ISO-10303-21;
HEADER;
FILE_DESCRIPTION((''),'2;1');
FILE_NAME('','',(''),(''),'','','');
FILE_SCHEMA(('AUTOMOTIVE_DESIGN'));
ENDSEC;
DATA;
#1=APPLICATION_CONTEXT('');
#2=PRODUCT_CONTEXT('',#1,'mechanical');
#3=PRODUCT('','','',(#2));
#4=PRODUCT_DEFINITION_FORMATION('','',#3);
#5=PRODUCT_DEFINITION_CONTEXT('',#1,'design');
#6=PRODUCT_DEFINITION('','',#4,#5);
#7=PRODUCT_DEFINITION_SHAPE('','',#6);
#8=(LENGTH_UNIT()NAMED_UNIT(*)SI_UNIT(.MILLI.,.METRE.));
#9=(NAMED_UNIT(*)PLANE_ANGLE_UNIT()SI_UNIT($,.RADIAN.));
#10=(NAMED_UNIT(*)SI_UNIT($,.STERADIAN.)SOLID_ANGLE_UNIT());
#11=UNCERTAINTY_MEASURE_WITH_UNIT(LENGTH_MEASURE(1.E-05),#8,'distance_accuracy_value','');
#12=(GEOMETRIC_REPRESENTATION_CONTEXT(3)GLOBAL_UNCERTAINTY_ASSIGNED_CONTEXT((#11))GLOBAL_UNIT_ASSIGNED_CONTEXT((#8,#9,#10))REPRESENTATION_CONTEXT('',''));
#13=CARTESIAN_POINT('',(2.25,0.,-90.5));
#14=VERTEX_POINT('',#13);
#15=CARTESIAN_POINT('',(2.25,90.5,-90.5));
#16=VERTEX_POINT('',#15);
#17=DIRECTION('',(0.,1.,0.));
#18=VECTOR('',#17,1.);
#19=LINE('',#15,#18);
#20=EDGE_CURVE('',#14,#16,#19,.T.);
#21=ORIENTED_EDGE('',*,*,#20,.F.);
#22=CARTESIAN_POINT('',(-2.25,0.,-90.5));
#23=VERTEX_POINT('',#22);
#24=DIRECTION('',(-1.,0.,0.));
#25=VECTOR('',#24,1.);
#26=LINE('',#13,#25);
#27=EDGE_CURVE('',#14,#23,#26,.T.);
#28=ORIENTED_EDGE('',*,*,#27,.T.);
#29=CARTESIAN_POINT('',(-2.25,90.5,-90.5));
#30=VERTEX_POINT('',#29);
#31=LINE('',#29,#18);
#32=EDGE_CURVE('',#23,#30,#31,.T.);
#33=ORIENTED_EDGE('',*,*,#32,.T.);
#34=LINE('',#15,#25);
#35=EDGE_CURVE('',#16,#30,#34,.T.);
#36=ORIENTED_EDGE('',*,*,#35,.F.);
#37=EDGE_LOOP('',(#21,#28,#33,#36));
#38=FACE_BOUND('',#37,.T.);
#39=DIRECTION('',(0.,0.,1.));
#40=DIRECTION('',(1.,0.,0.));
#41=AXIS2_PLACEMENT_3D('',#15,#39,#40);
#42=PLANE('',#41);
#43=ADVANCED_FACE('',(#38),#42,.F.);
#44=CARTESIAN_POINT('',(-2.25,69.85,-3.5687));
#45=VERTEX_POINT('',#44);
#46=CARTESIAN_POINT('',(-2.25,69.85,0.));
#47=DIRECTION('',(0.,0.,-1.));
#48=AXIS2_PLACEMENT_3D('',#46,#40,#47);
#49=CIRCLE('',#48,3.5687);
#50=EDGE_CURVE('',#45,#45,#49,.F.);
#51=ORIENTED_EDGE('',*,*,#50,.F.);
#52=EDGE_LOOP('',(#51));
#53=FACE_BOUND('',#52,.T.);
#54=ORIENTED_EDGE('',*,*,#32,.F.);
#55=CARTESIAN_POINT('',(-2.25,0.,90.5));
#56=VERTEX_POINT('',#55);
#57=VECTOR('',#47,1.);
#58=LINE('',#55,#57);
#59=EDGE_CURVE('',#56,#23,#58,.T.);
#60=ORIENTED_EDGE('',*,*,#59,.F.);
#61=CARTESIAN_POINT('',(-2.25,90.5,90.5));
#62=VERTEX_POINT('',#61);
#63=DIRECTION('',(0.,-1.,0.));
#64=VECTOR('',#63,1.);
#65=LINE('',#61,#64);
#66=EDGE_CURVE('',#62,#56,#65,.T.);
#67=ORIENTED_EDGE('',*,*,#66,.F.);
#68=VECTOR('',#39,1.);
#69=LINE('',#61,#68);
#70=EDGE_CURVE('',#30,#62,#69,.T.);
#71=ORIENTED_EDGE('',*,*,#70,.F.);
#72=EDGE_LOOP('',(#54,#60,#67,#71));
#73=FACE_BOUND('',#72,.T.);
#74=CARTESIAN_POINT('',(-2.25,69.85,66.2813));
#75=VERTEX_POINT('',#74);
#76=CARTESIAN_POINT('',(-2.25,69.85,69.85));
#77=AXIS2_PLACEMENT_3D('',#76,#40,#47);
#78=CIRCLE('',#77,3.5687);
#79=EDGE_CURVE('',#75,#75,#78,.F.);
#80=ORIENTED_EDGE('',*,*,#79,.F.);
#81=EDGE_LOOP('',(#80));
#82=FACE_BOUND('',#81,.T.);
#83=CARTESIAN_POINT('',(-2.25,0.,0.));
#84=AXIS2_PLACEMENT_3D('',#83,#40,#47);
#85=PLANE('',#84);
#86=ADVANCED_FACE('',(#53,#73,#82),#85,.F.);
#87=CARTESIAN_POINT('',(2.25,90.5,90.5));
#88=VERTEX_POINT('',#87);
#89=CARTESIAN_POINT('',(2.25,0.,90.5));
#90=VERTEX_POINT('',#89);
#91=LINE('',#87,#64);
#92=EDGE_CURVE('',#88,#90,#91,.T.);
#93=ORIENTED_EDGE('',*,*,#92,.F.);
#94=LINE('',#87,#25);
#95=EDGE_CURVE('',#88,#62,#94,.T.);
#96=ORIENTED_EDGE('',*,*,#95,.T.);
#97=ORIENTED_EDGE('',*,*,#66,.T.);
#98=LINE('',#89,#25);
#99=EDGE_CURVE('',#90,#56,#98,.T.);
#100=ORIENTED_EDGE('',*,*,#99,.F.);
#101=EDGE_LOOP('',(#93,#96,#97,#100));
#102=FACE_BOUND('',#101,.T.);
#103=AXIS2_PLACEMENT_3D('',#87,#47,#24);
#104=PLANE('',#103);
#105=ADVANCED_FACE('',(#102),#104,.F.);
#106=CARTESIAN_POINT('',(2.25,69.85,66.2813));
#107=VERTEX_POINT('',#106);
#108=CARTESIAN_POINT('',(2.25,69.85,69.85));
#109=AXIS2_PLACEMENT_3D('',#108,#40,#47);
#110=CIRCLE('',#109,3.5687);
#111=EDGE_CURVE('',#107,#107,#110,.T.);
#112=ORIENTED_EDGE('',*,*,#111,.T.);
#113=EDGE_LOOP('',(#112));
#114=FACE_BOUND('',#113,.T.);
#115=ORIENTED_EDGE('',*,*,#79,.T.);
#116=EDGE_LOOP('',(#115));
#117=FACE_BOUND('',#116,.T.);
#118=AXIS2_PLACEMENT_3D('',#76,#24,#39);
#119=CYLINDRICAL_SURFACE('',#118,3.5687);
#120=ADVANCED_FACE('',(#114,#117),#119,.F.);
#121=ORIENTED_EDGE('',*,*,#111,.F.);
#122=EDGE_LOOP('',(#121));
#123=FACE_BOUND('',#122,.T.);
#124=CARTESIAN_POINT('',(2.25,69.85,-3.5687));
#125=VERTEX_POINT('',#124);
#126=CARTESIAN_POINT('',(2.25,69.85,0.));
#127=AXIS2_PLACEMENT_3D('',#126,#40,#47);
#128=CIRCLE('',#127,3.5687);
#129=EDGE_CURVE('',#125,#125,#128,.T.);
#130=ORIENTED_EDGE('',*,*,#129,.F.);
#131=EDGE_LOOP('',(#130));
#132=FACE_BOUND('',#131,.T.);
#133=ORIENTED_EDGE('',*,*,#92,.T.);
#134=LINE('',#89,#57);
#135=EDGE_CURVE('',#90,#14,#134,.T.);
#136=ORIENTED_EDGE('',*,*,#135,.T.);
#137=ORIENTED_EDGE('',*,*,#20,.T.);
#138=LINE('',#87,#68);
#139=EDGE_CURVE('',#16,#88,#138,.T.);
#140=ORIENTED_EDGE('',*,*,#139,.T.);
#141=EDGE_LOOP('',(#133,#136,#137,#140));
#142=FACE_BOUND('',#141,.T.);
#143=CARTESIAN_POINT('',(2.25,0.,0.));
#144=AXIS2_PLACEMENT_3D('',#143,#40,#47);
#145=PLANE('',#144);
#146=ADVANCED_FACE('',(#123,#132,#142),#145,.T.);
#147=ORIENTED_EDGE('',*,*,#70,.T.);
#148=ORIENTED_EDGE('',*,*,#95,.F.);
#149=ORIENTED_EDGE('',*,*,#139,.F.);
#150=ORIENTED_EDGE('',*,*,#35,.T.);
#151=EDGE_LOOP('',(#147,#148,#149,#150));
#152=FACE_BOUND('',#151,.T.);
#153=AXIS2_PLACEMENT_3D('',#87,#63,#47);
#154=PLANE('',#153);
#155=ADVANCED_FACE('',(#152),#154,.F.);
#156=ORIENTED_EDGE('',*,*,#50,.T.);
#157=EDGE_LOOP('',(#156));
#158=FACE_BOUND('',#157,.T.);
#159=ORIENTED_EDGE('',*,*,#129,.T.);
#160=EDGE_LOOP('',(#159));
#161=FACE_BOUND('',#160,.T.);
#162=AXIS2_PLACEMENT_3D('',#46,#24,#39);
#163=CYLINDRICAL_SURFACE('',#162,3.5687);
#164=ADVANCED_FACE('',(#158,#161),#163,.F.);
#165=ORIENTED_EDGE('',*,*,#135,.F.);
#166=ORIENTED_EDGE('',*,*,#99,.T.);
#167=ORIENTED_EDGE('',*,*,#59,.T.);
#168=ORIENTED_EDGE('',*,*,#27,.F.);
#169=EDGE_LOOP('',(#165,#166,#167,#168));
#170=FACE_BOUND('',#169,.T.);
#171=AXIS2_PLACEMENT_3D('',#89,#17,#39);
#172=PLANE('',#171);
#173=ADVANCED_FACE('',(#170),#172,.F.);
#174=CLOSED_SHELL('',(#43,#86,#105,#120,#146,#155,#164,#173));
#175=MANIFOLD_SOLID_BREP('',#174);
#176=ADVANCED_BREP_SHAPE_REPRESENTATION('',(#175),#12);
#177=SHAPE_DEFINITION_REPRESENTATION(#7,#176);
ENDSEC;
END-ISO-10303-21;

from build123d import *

# Parameters (mm, degrees)
SKETCH1_W               = 181
SKETCH1_H               = 90.5
BOSS_EXTRUDE1_DEPTH     = 2.25
SKETCH2_R               = 3.5687
CUT_EXTRUDE1_DEPTH      = 91.5
CUT_EXTRUDE1_DEPTH_BACK = 1


with BuildPart() as part:
    # Sketch1 → Boss-Extrude1 (new body, symmetric)
    with BuildSketch(Plane(origin=(0, 0, 0), x_dir=(0, 0, -1), z_dir=(1, 0, 0))):
        with Locations((0, 45.25)):
            Rectangle(SKETCH1_W, SKETCH1_H)
    extrude(amount=BOSS_EXTRUDE1_DEPTH, both=True)

    # Sketch2 → Cut-Extrude1 (cut, two sides)
    with BuildSketch(Plane(origin=(-88.25, 0, 0), x_dir=(0, 0, -1), z_dir=(1, 0, 0))) as cut_extrude1_sk:
        with Locations((-69.85, 69.85)):
            Circle(SKETCH2_R)
        with Locations((0, 69.85)):
            Circle(SKETCH2_R)
    extrude(amount=CUT_EXTRUDE1_DEPTH, mode=Mode.SUBTRACT)
    extrude(cut_extrude1_sk.sketch, amount=-CUT_EXTRUDE1_DEPTH_BACK, mode=Mode.SUBTRACT)


solid = part.part
